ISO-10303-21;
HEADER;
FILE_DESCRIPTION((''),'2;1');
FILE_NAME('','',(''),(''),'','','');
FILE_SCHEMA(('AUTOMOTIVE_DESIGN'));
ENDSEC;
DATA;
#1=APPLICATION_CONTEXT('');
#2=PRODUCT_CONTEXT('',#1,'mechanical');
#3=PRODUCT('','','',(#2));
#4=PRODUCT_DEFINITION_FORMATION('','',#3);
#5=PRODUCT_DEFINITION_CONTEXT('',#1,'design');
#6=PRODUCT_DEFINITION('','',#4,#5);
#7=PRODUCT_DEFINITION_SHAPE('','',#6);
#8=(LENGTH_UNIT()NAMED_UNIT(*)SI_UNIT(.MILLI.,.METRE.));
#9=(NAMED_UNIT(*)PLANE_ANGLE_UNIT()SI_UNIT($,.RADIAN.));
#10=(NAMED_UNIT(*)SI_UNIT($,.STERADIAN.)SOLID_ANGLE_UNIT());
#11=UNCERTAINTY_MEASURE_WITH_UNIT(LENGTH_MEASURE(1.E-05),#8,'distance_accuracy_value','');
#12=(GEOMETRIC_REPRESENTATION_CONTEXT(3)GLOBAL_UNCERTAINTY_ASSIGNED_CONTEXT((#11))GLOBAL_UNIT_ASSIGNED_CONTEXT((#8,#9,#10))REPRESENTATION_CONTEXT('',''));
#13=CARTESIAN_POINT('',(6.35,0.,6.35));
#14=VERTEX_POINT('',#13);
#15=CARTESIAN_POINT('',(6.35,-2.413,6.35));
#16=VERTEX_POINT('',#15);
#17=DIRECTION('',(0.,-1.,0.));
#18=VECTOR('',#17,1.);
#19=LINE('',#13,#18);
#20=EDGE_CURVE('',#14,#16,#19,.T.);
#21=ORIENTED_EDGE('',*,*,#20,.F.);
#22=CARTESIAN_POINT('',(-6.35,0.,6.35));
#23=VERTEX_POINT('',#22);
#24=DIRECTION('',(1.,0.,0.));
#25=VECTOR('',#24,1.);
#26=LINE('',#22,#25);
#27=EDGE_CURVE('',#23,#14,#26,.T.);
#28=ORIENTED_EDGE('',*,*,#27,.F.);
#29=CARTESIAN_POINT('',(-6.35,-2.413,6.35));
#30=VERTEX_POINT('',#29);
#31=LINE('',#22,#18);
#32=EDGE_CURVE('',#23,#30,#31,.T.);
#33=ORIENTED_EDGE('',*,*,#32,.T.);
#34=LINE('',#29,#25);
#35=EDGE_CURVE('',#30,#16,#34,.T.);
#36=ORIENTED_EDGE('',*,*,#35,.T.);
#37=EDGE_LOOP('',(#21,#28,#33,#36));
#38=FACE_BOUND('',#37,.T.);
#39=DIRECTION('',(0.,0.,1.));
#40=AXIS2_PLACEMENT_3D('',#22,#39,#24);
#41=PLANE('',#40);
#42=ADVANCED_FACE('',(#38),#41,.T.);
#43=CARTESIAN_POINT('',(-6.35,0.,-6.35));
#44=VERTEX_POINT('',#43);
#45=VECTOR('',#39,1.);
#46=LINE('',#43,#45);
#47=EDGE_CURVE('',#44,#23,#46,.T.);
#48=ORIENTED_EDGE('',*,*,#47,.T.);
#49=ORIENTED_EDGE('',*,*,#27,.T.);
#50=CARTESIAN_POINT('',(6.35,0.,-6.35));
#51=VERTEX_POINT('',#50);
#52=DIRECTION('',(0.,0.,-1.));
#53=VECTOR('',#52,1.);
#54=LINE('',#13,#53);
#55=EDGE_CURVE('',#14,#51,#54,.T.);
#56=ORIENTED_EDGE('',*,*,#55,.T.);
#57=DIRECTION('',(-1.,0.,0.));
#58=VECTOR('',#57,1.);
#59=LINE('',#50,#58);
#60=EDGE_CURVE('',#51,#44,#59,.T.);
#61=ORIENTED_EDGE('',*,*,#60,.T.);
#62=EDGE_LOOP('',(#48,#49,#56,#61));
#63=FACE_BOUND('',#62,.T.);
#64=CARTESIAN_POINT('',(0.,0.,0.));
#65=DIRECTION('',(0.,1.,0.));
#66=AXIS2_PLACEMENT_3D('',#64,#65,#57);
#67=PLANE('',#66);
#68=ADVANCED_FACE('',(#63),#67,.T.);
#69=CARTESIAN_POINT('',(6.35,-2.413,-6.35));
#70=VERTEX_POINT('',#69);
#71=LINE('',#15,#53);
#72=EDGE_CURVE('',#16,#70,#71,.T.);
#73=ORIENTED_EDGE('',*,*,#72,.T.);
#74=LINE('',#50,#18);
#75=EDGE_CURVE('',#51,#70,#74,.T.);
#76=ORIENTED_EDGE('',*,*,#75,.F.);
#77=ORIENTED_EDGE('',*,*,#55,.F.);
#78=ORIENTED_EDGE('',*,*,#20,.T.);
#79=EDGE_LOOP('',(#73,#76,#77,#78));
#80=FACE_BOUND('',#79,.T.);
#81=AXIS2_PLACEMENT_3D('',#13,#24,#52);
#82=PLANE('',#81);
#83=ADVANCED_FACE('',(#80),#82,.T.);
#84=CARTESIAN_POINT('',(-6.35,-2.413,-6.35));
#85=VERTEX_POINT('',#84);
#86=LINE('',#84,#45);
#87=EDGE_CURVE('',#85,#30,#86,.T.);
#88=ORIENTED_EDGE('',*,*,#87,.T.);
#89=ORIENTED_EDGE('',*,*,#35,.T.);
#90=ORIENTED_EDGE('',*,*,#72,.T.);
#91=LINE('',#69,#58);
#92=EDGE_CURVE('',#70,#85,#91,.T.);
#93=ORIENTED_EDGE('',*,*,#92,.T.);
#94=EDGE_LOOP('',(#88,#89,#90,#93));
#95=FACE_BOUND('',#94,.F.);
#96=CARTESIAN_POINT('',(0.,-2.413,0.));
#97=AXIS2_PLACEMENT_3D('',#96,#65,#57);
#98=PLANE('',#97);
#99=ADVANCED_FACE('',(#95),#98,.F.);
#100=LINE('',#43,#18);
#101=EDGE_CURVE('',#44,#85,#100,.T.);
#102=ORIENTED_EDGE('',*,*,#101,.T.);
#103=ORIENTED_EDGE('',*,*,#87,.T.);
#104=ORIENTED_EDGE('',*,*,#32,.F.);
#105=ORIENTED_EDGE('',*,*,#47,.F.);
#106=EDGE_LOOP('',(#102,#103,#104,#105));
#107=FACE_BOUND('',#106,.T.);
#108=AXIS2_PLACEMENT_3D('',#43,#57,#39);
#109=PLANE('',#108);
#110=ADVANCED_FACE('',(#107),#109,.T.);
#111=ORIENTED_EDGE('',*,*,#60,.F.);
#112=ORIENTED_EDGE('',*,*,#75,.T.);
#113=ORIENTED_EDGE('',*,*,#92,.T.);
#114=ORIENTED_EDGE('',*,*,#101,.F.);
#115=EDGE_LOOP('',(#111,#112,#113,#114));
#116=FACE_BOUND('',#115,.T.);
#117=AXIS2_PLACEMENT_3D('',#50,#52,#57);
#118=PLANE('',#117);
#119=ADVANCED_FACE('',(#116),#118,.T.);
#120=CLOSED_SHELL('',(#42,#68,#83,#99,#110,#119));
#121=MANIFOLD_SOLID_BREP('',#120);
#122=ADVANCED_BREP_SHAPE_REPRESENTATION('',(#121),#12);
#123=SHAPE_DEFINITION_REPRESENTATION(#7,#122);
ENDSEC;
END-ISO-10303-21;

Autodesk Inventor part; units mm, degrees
sketch "Sketch_3" plane through (0, 0, 0) normal (0, 1, 0) x (-1, 0, 0)
  line L0 (6.35, 6.35) -> (-6.35, 6.35)
  line L1 (-6.35, 6.35) -> (-6.35, -6.35)
  line L2 (-6.35, -6.35) -> (6.35, -6.35)
  line L3 (6.35, -6.35) -> (6.35, 6.35)
extrude "Extrusion1" add sketch "Sketch_3" against normal blind 2.413
ref_plane "diffuser_to_body_XY" through (0, 0, 0) normal (0, 1, 0) x (1, 0, 0)
ref_plane "diffuser_to_body_YZ" through (0, 0, 0) normal (1, 0, 0) x (0, 0, -1)
ref_plane "diffuser_to_body_ZX" through (0, 0, 0) normal (0, 0, -1) x (0, 1, 0)
ref_plane "lens2_to_body_XY" through (0, 0, 0) normal (0, 1, 0) x (1, 0, 0)
ref_plane "lens2_to_body_YZ" through (0, 0, 0) normal (1, 0, 0) x (0, 0, -1)
ref_plane "lens2_to_body_ZX" through (0, 0, 0) normal (0, 0, -1) x (0, 1, 0)
properties part number "UB216SKG035D-NR"
